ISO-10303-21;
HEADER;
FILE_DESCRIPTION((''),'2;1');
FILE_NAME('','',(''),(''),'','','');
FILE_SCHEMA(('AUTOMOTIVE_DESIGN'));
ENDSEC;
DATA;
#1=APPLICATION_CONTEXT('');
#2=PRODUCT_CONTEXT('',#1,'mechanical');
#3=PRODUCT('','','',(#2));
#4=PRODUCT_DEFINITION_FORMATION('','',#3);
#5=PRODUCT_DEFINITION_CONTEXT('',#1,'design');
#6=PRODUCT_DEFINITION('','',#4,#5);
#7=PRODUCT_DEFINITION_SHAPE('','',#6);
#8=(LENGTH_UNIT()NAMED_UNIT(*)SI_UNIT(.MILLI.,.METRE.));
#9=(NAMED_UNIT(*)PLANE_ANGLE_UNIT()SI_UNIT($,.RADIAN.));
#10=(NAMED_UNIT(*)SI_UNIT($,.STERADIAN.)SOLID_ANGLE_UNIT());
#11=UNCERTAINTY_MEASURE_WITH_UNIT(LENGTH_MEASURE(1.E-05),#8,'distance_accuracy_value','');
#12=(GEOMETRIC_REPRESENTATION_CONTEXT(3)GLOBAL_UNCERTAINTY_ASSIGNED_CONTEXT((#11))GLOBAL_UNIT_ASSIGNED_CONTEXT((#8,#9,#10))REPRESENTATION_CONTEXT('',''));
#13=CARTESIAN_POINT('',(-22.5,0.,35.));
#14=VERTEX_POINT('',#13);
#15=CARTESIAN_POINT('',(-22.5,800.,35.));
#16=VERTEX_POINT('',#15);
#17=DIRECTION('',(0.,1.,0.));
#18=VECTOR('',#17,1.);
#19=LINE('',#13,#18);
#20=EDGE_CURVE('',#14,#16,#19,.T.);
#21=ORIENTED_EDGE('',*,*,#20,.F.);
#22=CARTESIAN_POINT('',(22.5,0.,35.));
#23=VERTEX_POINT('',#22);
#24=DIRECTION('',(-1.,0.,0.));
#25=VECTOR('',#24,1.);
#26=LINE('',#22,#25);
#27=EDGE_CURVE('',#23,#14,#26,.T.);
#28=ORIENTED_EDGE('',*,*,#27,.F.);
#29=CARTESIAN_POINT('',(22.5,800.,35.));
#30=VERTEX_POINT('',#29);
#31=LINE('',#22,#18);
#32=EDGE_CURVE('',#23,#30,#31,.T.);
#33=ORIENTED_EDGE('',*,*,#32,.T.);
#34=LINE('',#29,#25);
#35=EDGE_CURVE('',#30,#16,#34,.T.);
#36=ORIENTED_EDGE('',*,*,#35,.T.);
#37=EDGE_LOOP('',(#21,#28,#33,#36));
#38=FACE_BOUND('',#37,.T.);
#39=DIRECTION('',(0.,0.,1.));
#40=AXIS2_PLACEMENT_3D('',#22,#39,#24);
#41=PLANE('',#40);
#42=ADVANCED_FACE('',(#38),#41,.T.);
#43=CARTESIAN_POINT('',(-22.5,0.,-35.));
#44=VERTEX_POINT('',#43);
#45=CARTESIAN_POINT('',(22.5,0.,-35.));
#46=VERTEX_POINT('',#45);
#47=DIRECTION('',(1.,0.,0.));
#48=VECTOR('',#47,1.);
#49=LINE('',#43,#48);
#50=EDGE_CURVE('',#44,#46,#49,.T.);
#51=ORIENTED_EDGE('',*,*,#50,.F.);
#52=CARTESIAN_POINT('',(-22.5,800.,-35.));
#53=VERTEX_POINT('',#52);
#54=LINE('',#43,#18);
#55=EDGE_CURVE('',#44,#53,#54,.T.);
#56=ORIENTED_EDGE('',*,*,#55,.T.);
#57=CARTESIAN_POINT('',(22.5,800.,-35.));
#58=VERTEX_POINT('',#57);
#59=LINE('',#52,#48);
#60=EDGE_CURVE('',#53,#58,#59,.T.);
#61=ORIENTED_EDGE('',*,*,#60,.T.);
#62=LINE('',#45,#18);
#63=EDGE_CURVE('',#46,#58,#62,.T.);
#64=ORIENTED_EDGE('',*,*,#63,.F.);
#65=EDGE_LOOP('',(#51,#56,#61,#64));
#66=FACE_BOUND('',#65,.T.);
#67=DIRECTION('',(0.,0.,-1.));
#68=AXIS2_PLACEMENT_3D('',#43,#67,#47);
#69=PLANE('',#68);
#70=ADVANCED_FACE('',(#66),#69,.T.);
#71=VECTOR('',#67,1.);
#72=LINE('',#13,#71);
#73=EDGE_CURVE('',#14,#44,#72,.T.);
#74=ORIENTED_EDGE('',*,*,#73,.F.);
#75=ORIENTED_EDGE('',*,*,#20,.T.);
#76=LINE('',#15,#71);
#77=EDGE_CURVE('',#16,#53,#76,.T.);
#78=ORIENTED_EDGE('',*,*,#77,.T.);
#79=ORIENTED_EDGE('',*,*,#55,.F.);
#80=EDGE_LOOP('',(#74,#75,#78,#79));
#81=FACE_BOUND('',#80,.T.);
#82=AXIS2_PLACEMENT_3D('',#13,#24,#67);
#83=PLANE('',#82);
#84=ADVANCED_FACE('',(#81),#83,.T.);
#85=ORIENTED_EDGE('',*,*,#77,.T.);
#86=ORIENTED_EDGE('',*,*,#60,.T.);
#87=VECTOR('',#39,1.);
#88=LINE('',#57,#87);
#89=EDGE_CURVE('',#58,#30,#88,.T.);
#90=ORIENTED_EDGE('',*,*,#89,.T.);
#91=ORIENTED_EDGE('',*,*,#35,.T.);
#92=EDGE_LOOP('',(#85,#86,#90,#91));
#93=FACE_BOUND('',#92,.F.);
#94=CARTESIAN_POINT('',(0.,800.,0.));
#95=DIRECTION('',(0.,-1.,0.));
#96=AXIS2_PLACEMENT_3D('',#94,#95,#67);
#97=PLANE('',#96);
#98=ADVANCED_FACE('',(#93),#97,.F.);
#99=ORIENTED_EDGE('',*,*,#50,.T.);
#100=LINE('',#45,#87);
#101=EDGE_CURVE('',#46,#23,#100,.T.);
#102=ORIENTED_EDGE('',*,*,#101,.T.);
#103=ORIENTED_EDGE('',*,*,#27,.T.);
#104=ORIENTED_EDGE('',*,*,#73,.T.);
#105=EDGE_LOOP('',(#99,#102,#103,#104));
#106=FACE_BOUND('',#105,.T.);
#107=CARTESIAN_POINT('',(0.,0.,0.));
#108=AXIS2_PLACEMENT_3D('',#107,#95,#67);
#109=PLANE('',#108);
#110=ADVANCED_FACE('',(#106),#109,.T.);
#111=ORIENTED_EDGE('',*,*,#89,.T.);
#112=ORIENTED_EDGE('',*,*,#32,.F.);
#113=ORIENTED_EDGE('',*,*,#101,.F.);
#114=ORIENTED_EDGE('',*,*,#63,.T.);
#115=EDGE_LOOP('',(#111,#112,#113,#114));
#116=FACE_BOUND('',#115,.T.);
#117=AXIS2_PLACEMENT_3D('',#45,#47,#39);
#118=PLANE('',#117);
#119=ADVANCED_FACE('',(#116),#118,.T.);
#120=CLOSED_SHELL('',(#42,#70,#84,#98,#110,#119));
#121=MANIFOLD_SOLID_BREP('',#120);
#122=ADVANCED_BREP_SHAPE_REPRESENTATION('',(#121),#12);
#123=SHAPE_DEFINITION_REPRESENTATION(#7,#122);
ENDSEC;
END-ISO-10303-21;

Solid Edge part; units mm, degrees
sketch "Sketch1" plane through (0, 0, 0) normal (0, -1, 0) x (1, 0, 0)
  line L0 (-22.5, -35) -> (22.5, -35)
  line L1 (22.5, -35) -> (22.5, 35)
  line L2 (22.5, 35) -> (-22.5, 35)
  line L3 (-22.5, 35) -> (-22.5, -35)
extrude "Protrusion1" add sketch "Sketch1" against normal blind 800
properties material "Wood, Pine"
